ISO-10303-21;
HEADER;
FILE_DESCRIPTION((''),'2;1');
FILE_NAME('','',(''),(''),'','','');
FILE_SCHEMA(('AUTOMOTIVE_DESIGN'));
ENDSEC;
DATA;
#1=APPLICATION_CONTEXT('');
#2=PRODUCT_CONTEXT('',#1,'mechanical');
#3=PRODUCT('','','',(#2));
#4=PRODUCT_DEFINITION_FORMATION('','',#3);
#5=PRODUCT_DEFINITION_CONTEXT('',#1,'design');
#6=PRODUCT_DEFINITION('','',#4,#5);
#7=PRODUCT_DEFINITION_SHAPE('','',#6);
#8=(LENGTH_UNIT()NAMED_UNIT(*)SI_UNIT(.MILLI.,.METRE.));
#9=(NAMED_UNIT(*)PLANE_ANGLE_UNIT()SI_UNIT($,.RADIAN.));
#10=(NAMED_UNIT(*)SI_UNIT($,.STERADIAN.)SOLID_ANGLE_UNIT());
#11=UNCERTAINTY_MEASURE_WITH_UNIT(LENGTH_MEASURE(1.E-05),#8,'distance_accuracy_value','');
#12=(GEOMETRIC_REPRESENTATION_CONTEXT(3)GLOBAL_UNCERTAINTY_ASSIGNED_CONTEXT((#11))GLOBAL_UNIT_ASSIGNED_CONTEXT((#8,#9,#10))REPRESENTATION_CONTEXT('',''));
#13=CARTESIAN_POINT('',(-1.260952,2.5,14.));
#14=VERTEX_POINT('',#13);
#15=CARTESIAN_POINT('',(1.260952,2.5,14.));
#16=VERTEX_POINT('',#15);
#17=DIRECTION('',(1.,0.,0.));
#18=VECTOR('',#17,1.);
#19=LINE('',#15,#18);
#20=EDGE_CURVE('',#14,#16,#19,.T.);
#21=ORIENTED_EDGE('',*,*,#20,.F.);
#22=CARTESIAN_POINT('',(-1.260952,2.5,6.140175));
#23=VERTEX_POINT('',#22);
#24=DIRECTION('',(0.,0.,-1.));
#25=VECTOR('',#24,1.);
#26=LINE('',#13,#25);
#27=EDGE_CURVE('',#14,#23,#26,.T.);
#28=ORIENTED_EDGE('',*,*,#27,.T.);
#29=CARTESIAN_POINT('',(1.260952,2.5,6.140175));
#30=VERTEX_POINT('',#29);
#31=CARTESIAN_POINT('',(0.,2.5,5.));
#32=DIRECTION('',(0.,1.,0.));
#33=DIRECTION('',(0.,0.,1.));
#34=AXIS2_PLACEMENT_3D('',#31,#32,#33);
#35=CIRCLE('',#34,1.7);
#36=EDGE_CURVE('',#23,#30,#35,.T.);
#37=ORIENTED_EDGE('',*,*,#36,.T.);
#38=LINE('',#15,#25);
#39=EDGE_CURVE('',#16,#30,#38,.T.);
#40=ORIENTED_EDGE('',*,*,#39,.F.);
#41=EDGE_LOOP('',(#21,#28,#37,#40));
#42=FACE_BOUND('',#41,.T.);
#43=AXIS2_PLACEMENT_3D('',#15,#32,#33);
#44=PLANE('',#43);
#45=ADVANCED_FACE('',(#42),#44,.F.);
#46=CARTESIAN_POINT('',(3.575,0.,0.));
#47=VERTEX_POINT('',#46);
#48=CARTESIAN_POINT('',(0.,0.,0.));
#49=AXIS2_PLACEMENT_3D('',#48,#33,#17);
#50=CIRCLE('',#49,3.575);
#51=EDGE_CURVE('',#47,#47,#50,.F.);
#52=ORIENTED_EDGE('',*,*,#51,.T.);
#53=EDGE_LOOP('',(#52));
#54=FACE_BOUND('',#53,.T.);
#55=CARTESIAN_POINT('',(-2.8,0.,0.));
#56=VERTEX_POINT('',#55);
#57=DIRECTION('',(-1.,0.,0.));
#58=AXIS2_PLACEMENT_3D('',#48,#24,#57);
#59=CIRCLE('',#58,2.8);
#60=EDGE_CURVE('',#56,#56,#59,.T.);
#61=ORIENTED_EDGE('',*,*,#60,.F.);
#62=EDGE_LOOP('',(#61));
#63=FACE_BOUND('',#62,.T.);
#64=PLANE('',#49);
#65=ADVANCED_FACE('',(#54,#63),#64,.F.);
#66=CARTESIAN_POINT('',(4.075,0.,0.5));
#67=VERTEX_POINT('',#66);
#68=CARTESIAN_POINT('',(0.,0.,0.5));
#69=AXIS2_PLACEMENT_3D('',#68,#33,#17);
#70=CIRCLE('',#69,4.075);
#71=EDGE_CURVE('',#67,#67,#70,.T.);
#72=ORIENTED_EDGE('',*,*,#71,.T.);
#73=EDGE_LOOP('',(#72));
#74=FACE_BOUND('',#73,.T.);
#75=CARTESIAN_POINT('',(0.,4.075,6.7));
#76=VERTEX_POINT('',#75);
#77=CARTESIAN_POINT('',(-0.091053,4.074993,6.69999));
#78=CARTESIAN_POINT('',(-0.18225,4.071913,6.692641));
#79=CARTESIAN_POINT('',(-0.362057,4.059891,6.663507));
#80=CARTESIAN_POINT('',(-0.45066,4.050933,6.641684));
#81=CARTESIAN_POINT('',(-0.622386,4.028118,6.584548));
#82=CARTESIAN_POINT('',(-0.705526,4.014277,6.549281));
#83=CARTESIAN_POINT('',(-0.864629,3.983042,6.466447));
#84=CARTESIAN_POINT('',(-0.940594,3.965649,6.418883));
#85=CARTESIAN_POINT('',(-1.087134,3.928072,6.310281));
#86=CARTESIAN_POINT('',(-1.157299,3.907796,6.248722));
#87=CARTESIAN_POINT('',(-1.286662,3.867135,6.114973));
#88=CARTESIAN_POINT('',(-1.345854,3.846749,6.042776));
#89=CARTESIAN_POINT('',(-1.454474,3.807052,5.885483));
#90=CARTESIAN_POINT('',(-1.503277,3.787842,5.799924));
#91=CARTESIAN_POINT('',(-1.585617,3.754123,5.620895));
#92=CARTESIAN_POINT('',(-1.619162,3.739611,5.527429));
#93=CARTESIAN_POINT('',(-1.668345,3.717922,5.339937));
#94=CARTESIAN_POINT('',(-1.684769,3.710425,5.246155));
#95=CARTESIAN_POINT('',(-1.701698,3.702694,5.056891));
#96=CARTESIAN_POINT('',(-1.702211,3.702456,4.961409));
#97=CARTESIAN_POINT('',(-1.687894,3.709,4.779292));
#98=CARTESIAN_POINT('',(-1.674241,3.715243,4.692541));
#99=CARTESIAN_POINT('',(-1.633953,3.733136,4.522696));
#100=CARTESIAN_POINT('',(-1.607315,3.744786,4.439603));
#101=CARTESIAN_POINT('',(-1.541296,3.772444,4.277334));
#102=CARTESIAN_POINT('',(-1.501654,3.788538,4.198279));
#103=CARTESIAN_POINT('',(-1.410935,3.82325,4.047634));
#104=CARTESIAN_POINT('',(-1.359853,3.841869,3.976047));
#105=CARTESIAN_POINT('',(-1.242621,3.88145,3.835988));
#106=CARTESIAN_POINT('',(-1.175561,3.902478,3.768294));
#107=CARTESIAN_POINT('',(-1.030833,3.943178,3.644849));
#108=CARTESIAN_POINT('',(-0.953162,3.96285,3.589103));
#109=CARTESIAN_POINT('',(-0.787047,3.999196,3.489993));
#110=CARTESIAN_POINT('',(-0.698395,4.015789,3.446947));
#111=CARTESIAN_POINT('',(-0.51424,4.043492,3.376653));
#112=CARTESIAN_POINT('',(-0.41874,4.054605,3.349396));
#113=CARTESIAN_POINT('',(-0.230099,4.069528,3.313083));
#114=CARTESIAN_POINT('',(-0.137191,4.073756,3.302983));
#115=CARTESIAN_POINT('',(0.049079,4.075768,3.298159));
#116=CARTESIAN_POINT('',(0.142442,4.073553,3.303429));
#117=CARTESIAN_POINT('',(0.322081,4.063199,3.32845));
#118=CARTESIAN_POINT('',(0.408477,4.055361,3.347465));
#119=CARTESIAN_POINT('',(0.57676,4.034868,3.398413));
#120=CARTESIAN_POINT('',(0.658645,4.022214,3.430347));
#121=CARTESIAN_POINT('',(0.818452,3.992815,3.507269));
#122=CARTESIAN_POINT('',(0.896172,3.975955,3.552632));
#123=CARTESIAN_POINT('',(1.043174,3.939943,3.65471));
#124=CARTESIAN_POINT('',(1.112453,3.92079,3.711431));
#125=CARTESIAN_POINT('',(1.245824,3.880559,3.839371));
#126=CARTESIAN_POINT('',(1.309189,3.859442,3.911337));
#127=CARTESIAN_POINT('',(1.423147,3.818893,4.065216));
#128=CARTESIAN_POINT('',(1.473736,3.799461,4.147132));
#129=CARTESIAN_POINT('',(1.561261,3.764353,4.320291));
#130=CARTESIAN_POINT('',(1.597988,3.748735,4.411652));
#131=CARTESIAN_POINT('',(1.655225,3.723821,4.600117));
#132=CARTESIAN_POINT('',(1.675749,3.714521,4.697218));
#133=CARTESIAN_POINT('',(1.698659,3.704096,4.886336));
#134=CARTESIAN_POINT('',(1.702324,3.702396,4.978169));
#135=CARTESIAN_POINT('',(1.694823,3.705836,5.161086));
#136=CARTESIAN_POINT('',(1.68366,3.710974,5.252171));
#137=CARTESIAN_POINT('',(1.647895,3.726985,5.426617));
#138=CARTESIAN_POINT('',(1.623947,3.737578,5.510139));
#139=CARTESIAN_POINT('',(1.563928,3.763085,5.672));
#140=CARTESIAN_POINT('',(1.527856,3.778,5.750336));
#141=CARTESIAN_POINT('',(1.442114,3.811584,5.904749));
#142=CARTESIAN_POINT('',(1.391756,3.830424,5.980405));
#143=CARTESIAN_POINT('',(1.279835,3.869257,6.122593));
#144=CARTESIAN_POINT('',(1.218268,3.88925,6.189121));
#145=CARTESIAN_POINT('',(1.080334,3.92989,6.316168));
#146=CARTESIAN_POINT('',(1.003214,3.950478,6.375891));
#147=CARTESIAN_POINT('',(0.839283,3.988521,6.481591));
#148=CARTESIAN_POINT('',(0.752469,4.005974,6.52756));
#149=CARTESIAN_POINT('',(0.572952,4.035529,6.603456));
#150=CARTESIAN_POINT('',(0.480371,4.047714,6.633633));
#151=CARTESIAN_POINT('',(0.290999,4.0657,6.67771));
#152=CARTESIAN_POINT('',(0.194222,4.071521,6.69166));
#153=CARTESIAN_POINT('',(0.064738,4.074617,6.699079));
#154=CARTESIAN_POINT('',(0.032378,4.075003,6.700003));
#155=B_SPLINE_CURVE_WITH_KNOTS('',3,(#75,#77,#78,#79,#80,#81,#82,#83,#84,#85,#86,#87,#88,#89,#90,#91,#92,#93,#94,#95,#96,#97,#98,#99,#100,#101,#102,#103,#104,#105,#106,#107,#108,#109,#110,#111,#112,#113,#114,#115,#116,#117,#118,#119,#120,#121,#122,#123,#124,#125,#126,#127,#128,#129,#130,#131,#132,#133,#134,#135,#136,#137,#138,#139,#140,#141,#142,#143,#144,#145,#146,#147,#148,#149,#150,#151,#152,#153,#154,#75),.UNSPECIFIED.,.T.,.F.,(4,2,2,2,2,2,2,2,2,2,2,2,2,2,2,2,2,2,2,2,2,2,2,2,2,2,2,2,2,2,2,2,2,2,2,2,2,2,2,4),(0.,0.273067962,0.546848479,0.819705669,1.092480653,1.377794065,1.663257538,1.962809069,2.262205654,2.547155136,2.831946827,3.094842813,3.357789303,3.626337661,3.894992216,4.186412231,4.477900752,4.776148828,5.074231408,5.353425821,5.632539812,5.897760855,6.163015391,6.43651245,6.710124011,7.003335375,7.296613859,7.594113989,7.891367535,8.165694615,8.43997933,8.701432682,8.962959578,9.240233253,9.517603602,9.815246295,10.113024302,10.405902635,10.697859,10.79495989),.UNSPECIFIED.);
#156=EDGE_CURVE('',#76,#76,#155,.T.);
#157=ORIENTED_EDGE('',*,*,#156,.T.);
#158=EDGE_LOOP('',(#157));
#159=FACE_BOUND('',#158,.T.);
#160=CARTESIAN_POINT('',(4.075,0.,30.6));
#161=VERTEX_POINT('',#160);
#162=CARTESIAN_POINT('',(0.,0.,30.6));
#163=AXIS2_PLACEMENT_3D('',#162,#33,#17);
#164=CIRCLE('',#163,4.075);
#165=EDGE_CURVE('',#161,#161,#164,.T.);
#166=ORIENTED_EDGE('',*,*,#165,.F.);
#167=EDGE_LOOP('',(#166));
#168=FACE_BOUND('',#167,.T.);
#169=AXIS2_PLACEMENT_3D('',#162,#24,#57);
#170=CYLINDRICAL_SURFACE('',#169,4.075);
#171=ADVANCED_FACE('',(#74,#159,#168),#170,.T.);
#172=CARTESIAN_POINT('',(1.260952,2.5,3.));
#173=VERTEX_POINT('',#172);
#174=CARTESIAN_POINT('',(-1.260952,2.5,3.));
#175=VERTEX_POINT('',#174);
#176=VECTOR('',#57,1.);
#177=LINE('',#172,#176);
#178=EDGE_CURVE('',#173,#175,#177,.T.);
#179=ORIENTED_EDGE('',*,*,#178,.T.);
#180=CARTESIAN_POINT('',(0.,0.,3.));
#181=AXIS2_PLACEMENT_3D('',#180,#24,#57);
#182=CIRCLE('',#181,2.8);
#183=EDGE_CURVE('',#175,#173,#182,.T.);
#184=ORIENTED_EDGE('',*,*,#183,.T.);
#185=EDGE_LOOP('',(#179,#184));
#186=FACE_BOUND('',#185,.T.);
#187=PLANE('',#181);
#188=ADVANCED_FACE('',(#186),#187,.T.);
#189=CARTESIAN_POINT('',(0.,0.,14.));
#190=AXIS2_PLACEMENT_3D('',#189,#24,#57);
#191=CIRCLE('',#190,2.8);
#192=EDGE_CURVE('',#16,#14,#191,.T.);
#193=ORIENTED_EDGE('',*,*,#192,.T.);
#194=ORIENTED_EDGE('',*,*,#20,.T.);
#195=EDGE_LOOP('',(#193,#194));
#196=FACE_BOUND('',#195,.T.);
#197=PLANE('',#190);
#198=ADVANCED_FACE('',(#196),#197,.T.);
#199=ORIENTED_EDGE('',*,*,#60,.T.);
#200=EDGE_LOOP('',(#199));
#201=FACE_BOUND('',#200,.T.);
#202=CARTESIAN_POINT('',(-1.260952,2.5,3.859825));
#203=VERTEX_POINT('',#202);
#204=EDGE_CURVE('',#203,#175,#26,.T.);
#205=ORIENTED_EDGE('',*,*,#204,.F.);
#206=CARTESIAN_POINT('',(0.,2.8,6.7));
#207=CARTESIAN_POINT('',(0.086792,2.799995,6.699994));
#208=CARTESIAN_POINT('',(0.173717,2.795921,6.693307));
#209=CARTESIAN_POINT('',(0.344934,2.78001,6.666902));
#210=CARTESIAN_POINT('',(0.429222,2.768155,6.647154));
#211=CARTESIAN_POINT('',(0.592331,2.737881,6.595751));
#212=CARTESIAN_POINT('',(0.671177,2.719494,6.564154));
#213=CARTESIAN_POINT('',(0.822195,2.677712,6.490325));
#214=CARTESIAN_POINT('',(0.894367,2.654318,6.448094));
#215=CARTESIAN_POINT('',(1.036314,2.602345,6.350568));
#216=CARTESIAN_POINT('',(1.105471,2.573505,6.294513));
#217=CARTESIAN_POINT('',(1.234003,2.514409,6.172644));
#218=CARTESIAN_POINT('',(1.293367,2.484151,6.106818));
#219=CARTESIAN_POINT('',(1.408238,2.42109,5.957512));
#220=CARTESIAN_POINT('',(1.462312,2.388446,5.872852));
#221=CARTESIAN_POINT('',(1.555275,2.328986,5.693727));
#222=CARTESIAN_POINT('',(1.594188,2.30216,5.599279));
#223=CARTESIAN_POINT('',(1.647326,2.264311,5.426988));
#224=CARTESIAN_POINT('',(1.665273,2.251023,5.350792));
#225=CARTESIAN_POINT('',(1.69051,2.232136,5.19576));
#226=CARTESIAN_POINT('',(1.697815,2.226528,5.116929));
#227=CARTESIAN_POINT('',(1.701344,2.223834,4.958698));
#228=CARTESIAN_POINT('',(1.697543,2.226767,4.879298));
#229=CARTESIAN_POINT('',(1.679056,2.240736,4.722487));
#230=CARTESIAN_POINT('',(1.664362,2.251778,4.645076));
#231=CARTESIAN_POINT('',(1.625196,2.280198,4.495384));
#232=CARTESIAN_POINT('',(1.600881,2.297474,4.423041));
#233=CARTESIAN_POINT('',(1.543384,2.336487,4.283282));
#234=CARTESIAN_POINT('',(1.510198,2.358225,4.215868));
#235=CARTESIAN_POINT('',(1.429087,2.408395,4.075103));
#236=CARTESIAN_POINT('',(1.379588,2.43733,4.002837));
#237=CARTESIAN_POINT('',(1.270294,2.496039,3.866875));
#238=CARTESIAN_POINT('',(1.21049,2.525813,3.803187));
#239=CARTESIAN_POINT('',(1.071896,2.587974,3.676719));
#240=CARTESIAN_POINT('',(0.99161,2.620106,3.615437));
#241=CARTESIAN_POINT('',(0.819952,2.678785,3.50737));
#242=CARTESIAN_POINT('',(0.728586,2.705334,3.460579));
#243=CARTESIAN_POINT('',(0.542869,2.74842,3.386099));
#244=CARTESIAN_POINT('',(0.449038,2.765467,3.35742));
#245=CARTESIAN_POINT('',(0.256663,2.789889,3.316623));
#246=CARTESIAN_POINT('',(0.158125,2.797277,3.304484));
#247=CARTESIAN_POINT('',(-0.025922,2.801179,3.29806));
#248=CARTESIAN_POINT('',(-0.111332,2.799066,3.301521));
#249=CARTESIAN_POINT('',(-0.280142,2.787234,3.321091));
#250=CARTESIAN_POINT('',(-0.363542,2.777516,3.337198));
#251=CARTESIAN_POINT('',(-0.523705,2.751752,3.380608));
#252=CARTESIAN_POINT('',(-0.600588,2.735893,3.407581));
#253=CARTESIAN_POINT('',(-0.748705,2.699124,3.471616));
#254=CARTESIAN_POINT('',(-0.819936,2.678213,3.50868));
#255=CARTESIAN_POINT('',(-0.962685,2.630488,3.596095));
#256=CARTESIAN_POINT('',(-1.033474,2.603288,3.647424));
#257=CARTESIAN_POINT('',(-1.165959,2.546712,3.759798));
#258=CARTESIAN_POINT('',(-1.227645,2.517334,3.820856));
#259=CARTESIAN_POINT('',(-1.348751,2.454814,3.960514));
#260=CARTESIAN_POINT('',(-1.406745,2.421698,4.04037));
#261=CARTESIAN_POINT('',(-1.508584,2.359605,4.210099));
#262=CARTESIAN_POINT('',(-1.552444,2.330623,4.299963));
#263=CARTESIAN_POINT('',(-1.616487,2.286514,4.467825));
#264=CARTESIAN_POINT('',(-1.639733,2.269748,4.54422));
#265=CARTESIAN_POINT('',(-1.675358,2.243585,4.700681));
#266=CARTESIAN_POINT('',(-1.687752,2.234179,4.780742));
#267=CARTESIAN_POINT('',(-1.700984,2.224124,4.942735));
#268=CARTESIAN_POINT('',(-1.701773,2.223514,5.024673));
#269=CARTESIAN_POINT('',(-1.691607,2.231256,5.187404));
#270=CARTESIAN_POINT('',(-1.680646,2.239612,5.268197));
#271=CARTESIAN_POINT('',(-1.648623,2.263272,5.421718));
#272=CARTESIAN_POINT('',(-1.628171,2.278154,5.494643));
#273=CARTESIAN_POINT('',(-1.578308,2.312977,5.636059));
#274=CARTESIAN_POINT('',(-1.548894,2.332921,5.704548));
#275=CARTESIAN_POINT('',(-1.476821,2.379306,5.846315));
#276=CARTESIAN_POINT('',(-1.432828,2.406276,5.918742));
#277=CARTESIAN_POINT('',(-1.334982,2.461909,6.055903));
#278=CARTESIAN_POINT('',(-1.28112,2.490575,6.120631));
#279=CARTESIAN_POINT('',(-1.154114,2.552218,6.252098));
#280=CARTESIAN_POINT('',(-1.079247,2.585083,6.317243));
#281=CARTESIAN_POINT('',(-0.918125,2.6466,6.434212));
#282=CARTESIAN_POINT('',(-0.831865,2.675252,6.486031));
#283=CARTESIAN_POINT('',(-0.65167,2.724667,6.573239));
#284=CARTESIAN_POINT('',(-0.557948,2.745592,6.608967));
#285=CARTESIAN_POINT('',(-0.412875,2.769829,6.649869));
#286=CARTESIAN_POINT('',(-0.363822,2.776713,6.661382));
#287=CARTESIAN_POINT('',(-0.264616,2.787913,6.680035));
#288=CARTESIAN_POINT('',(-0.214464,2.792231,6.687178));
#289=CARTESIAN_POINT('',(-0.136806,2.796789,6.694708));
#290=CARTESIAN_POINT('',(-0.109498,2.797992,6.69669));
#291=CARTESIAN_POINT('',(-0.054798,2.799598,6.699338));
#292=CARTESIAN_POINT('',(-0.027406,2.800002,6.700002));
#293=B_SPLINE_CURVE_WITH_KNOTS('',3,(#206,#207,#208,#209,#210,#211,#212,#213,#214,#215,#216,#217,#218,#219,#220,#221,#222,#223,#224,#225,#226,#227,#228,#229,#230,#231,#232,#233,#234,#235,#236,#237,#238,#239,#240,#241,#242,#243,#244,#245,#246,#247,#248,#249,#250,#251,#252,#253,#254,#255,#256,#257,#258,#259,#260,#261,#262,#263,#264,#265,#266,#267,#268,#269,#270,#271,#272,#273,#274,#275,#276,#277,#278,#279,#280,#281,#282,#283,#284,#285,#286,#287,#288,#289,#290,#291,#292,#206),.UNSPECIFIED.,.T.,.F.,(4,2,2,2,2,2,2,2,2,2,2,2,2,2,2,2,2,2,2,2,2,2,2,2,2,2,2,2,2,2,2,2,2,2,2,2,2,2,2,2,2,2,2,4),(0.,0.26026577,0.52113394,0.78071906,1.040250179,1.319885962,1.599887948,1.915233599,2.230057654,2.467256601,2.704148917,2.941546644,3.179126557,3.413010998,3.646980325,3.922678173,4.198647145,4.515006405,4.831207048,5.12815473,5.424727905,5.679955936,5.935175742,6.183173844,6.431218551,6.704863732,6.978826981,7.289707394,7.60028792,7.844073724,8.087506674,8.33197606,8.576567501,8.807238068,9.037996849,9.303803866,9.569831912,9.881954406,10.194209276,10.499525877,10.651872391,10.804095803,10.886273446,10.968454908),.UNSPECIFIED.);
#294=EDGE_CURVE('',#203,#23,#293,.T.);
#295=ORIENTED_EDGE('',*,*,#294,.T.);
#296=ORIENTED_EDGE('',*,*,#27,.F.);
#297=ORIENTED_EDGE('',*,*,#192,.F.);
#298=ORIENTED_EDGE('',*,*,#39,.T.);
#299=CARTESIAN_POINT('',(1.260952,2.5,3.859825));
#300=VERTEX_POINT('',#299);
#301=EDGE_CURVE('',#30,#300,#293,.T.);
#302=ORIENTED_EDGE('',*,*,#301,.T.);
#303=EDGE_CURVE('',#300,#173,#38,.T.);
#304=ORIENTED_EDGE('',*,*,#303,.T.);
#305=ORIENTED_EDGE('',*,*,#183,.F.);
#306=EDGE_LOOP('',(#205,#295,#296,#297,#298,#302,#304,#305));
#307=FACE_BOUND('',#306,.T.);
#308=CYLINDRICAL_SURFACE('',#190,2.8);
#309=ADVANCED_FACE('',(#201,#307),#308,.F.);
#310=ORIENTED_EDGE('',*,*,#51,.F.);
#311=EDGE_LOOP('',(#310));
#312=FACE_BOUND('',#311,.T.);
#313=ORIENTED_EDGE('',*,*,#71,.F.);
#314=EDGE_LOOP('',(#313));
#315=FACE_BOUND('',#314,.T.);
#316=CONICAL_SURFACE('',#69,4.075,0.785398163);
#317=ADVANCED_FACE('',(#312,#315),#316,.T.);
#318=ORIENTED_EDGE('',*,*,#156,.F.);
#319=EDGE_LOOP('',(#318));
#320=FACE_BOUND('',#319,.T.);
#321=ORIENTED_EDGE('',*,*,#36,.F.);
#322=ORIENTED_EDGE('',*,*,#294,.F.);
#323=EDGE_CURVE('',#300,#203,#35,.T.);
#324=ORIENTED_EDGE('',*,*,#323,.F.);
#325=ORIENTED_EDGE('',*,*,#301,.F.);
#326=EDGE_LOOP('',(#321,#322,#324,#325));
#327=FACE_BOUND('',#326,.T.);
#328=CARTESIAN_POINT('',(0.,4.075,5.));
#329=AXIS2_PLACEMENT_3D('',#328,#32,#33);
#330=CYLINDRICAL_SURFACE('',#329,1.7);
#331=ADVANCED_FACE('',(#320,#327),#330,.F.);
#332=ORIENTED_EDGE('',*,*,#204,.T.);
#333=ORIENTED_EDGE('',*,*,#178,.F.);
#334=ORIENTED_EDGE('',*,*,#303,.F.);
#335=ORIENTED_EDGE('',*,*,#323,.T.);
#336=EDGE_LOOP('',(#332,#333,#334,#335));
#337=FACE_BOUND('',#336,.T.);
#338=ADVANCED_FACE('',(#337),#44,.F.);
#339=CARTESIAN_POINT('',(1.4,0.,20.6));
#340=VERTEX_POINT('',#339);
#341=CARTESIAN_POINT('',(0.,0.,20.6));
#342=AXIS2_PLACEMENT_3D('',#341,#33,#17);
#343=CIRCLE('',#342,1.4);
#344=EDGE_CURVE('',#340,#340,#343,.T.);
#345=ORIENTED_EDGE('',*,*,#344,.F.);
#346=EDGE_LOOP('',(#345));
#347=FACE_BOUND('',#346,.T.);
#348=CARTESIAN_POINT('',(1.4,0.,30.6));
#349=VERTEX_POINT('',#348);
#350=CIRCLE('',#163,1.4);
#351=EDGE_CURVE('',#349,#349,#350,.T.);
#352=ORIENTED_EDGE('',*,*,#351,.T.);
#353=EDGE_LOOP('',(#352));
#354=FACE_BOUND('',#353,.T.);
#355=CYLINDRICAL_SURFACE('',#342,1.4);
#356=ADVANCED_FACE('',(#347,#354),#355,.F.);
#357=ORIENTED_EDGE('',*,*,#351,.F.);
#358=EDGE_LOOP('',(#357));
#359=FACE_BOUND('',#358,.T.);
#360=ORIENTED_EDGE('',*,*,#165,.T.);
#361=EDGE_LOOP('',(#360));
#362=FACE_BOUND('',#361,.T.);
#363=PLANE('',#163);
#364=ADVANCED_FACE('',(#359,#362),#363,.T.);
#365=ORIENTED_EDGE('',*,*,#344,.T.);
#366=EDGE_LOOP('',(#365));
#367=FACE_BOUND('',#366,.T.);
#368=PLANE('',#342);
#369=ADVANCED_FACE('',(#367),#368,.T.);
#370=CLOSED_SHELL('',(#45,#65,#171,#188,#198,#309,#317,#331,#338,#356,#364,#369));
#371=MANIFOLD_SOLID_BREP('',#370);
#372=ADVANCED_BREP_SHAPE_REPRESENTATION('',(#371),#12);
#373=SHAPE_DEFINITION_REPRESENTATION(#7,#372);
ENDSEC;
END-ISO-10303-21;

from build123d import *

# Parameters (mm, degrees)
ESQUISSE1_R             = 4.075
BOSS_EXTRU_1_DEPTH      = 30.6
ENL_V_MAT_EXTRU_1_DEPTH = 14
ESQUISSE3_R             = 2.8
ENL_V_MAT_EXTRU_2_DEPTH = 3
CHANFREIN1_SIZE         = 0.5
ESQUISSE5_R             = 1.4
ENL_V_MAT_EXTRU_4_DEPTH = 10
D_GAGEMENT_M31_D        = 3.4
D_GAGEMENT_M31_DEPTH    = 4
D_GAGEMENT_M31_TIP      = 1.021463052


with BuildPart() as part:
    # Esquisse1 → Boss.-Extru.1 (new body)
    with BuildSketch(Plane.XY):
        Circle(ESQUISSE1_R)
    extrude(amount=BOSS_EXTRU_1_DEPTH)

    # Esquisse2 → Enlèv. mat.-Extru.1 (cut)
    with BuildSketch(Plane(origin=(0, 0, 0), x_dir=(-1, 0, 0), z_dir=(0, 0, -1))):
        with BuildLine():
            Line((-1.260952021, 2.5), (1.260952021, 2.5))
            ThreePointArc((1.260952021, 2.5), (0, -2.8), (-1.260952021, 2.5))
        make_face()
    extrude(amount=-ENL_V_MAT_EXTRU_1_DEPTH, mode=Mode.SUBTRACT)

    # Esquisse3 → Enlèv. mat.-Extru.2 (cut)
    with BuildSketch(Plane(origin=(0, 0, 0), x_dir=(-1, 0, 0), z_dir=(0, 0, -1))):
        Circle(ESQUISSE3_R)
    extrude(amount=-ENL_V_MAT_EXTRU_2_DEPTH, mode=Mode.SUBTRACT)

    # Chanfrein1
    chanfrein1_edges = [part.edges().sort_by_distance(p)[0] for p in [
        (-4.075, 0, 0),
    ]]
    chamfer(chanfrein1_edges, length=CHANFREIN1_SIZE)

    # Esquisse5 → Enlèv. mat.-Extru.4 (cut)
    with BuildSketch(Plane.XY.offset(30.6)):
        Circle(ESQUISSE5_R)
    extrude(amount=-ENL_V_MAT_EXTRU_4_DEPTH, mode=Mode.SUBTRACT)

    # Dégagement M31
    with Locations(Plane(origin=(0, 4.075, 0), x_dir=(1, 0, 0), z_dir=(0, 1, 0))):
        with Locations((0, -5)):
            Hole(D_GAGEMENT_M31_D / 2, depth=D_GAGEMENT_M31_DEPTH)
            with Locations((0, 0, -(D_GAGEMENT_M31_DEPTH + D_GAGEMENT_M31_TIP / 2))):  # 118° drill point
                Cone(0, D_GAGEMENT_M31_D / 2, D_GAGEMENT_M31_TIP, mode=Mode.SUBTRACT)


solid = part.part
